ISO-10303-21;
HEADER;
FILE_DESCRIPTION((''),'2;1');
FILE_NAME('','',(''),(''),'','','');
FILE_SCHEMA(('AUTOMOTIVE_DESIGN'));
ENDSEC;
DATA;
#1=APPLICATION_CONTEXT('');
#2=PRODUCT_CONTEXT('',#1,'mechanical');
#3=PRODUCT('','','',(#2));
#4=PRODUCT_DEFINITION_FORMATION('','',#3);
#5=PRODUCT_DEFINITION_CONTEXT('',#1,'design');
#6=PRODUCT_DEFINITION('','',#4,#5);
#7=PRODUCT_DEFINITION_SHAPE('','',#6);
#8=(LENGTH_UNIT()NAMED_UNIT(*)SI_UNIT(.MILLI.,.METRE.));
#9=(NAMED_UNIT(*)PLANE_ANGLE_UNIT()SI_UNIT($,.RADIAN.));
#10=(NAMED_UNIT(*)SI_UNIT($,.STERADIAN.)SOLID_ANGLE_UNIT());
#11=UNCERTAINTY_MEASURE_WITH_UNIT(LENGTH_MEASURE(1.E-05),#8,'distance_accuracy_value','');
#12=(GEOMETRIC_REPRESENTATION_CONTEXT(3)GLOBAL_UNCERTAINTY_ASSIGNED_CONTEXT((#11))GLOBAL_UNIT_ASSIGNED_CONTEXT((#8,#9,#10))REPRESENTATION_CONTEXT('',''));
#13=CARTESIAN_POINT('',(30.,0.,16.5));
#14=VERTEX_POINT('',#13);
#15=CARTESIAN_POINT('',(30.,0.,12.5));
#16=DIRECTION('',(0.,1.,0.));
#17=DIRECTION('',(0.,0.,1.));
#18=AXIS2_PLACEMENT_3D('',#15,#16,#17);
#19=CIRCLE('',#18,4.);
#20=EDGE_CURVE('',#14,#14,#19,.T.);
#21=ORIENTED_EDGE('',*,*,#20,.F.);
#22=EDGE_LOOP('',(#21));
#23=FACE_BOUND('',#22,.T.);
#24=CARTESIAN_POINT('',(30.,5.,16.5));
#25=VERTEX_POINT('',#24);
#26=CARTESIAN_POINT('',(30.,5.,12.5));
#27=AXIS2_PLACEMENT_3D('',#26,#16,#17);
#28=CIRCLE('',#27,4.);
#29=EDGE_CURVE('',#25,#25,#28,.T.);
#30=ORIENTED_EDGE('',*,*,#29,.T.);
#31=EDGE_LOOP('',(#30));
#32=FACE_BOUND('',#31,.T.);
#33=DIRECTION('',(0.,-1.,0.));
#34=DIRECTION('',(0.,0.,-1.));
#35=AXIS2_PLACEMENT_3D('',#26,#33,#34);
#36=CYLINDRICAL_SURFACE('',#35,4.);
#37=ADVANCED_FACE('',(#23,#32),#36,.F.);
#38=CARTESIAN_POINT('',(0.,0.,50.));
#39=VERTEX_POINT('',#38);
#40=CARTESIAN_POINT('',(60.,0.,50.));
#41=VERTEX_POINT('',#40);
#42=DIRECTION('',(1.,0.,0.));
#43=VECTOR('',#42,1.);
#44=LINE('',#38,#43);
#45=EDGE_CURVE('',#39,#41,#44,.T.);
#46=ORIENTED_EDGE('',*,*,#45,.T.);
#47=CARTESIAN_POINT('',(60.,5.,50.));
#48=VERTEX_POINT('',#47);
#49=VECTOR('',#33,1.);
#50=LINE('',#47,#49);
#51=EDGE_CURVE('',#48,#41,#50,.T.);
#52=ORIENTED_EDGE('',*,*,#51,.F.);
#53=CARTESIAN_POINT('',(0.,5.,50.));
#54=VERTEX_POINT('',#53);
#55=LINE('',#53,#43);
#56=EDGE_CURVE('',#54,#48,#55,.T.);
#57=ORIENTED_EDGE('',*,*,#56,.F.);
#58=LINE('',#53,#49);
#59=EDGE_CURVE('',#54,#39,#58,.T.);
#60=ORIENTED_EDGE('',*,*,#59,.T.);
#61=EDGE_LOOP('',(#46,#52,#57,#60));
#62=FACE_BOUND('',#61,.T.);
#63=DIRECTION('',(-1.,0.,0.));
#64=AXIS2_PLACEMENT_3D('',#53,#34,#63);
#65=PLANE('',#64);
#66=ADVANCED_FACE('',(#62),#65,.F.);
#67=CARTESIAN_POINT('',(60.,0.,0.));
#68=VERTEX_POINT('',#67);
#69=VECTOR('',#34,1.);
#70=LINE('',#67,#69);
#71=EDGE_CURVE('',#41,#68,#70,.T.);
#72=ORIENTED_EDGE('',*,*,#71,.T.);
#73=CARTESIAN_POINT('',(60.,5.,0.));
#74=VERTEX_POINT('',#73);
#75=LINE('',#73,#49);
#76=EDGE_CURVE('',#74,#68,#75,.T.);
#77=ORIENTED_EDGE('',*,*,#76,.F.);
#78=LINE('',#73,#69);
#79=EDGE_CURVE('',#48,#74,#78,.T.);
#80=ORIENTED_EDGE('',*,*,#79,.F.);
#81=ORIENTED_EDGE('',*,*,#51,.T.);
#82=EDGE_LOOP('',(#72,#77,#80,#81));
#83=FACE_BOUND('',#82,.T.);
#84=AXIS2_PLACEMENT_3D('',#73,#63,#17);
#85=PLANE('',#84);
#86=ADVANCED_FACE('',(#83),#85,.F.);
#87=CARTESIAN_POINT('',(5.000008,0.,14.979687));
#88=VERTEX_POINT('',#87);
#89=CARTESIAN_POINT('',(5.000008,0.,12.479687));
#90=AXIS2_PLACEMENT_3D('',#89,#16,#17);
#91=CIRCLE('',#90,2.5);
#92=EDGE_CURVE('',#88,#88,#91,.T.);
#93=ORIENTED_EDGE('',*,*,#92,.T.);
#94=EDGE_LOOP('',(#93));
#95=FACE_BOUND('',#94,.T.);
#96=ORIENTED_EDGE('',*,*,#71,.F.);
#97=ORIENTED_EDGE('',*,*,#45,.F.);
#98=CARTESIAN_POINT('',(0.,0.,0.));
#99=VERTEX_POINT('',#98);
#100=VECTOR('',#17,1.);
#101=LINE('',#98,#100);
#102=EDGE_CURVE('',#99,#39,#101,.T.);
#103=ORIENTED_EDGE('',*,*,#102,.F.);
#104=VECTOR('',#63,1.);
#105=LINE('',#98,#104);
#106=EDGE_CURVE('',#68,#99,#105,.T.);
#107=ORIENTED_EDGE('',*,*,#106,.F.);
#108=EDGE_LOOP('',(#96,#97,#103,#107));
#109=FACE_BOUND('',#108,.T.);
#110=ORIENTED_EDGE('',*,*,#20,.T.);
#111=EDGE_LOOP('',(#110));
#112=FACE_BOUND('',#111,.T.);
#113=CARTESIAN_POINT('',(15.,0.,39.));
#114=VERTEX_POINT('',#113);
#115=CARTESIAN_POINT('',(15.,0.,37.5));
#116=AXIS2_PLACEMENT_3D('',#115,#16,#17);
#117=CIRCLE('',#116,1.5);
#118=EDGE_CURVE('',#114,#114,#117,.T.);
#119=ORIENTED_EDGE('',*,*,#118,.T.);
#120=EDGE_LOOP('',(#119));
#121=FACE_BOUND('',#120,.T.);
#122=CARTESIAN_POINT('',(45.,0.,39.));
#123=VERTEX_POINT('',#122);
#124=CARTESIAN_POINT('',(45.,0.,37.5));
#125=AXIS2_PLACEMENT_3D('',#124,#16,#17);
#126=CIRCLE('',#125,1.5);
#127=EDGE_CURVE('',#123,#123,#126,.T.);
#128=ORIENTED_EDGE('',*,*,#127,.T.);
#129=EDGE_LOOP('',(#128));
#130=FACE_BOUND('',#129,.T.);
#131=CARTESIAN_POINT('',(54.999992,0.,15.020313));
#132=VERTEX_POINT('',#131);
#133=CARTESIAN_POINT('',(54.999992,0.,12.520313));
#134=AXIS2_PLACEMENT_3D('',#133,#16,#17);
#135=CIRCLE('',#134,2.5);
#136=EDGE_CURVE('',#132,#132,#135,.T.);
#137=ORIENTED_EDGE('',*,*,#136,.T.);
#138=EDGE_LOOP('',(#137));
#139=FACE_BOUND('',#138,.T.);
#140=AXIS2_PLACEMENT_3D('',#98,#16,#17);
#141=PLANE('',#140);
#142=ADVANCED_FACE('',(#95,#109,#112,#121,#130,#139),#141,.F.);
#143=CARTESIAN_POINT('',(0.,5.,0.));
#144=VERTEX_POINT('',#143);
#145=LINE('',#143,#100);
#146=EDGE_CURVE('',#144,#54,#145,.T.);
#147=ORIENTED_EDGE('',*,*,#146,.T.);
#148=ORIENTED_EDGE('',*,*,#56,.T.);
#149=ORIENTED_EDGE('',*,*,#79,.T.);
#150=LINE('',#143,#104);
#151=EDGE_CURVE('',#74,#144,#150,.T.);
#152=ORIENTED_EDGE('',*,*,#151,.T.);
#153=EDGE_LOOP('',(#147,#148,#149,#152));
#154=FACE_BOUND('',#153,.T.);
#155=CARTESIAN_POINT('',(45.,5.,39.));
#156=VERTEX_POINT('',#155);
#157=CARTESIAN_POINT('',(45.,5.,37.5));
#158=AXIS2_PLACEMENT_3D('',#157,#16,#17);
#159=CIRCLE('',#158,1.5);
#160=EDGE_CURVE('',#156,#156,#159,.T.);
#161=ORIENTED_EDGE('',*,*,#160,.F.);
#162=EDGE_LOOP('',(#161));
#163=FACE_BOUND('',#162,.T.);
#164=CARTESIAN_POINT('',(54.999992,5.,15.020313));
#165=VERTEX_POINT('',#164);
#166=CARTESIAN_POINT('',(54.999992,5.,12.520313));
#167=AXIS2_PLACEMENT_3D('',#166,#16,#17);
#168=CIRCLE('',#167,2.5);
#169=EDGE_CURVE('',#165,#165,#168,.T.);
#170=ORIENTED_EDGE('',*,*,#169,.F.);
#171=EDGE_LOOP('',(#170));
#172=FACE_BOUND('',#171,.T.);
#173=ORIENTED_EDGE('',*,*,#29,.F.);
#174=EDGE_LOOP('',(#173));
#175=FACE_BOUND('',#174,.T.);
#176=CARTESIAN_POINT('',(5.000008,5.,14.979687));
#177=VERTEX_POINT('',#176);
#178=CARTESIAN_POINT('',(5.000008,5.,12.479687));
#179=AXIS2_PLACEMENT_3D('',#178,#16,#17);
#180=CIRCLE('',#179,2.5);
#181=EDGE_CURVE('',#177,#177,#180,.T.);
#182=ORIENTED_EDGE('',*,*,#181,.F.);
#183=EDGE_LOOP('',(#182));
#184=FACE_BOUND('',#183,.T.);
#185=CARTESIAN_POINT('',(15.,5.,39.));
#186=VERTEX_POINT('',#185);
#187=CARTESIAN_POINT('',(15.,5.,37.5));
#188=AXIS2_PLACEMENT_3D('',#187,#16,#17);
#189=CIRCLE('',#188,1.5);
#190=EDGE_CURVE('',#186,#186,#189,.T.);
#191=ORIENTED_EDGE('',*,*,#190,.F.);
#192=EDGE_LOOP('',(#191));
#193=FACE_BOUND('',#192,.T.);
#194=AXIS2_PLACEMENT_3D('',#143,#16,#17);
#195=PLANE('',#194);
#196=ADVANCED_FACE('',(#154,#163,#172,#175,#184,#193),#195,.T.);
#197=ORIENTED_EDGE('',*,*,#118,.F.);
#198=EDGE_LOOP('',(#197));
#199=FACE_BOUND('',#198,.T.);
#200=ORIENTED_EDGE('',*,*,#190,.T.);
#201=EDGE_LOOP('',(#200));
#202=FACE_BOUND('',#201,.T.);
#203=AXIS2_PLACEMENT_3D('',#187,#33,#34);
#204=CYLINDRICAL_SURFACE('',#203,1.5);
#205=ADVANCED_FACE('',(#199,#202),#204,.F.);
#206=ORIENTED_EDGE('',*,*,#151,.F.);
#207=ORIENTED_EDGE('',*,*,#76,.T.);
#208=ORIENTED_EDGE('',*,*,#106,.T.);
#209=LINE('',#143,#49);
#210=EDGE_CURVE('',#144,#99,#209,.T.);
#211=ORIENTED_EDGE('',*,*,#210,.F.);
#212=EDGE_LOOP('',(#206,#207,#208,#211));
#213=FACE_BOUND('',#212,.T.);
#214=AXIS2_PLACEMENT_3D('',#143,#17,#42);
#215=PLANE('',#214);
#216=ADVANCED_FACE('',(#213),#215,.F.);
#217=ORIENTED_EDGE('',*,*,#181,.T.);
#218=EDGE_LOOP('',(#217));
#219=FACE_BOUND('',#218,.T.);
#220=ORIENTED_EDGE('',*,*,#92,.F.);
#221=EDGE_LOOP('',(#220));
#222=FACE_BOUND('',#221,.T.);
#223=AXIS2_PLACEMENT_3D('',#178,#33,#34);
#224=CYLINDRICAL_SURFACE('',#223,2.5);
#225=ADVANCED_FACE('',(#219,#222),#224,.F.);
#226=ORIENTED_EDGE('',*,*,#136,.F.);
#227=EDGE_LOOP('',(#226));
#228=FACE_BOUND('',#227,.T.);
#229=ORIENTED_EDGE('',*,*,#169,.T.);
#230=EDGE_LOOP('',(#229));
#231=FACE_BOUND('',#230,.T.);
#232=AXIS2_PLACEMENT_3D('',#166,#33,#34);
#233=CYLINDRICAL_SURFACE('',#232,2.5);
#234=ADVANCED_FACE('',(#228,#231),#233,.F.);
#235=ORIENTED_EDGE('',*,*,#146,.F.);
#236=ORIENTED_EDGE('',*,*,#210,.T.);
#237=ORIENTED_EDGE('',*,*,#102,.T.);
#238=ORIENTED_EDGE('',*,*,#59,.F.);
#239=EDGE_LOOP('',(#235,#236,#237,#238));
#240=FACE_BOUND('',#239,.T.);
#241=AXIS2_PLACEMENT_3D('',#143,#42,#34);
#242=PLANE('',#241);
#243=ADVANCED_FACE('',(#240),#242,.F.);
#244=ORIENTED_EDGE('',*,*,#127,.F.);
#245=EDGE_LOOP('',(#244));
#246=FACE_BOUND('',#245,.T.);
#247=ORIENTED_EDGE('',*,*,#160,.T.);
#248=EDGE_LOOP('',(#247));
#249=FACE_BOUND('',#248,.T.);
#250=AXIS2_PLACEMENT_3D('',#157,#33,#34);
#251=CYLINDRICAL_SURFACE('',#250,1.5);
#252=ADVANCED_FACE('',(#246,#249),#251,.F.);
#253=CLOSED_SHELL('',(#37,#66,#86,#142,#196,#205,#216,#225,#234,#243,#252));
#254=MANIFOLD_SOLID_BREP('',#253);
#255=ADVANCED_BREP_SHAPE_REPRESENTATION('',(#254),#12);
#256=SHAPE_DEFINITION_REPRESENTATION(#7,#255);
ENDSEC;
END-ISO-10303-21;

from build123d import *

# Parameters (mm, degrees)
SKETCH1_W           = 60
SKETCH1_H           = 50
SKETCH1_R           = 4
SKETCH1_R_2         = 1.5
SKETCH1_R_3         = 2.5
BOSS_EXTRUDE1_DEPTH = 5


with BuildPart() as part:
    # Sketch1 → Boss-Extrude1 (new body)
    with BuildSketch(Plane(origin=(0, 0, 0), x_dir=(1, 0, 0), z_dir=(0, 1, 0))):
        with Locations((30, -25)):
            Rectangle(SKETCH1_W, SKETCH1_H)
        with Locations(Location((30, -12.5, 0), (0, 0, 270))):
            Circle(SKETCH1_R, mode=Mode.SUBTRACT)
        with Locations(Location((15, -37.5, 0), (0, 0, 270))):
            Circle(SKETCH1_R_2, mode=Mode.SUBTRACT)
        with Locations(Location((45, -37.5, 0), (0, 0, 270))):
            Circle(SKETCH1_R_2, mode=Mode.SUBTRACT)
        with Locations(Location((5.000008253, -12.479686677, 0), (0, 0, 270))):
            Circle(SKETCH1_R_3, mode=Mode.SUBTRACT)
        with Locations(Location((54.999991747, -12.520313323, 0), (0, 0, 270))):
            Circle(SKETCH1_R_3, mode=Mode.SUBTRACT)
    extrude(amount=BOSS_EXTRUDE1_DEPTH)


solid = part.part
